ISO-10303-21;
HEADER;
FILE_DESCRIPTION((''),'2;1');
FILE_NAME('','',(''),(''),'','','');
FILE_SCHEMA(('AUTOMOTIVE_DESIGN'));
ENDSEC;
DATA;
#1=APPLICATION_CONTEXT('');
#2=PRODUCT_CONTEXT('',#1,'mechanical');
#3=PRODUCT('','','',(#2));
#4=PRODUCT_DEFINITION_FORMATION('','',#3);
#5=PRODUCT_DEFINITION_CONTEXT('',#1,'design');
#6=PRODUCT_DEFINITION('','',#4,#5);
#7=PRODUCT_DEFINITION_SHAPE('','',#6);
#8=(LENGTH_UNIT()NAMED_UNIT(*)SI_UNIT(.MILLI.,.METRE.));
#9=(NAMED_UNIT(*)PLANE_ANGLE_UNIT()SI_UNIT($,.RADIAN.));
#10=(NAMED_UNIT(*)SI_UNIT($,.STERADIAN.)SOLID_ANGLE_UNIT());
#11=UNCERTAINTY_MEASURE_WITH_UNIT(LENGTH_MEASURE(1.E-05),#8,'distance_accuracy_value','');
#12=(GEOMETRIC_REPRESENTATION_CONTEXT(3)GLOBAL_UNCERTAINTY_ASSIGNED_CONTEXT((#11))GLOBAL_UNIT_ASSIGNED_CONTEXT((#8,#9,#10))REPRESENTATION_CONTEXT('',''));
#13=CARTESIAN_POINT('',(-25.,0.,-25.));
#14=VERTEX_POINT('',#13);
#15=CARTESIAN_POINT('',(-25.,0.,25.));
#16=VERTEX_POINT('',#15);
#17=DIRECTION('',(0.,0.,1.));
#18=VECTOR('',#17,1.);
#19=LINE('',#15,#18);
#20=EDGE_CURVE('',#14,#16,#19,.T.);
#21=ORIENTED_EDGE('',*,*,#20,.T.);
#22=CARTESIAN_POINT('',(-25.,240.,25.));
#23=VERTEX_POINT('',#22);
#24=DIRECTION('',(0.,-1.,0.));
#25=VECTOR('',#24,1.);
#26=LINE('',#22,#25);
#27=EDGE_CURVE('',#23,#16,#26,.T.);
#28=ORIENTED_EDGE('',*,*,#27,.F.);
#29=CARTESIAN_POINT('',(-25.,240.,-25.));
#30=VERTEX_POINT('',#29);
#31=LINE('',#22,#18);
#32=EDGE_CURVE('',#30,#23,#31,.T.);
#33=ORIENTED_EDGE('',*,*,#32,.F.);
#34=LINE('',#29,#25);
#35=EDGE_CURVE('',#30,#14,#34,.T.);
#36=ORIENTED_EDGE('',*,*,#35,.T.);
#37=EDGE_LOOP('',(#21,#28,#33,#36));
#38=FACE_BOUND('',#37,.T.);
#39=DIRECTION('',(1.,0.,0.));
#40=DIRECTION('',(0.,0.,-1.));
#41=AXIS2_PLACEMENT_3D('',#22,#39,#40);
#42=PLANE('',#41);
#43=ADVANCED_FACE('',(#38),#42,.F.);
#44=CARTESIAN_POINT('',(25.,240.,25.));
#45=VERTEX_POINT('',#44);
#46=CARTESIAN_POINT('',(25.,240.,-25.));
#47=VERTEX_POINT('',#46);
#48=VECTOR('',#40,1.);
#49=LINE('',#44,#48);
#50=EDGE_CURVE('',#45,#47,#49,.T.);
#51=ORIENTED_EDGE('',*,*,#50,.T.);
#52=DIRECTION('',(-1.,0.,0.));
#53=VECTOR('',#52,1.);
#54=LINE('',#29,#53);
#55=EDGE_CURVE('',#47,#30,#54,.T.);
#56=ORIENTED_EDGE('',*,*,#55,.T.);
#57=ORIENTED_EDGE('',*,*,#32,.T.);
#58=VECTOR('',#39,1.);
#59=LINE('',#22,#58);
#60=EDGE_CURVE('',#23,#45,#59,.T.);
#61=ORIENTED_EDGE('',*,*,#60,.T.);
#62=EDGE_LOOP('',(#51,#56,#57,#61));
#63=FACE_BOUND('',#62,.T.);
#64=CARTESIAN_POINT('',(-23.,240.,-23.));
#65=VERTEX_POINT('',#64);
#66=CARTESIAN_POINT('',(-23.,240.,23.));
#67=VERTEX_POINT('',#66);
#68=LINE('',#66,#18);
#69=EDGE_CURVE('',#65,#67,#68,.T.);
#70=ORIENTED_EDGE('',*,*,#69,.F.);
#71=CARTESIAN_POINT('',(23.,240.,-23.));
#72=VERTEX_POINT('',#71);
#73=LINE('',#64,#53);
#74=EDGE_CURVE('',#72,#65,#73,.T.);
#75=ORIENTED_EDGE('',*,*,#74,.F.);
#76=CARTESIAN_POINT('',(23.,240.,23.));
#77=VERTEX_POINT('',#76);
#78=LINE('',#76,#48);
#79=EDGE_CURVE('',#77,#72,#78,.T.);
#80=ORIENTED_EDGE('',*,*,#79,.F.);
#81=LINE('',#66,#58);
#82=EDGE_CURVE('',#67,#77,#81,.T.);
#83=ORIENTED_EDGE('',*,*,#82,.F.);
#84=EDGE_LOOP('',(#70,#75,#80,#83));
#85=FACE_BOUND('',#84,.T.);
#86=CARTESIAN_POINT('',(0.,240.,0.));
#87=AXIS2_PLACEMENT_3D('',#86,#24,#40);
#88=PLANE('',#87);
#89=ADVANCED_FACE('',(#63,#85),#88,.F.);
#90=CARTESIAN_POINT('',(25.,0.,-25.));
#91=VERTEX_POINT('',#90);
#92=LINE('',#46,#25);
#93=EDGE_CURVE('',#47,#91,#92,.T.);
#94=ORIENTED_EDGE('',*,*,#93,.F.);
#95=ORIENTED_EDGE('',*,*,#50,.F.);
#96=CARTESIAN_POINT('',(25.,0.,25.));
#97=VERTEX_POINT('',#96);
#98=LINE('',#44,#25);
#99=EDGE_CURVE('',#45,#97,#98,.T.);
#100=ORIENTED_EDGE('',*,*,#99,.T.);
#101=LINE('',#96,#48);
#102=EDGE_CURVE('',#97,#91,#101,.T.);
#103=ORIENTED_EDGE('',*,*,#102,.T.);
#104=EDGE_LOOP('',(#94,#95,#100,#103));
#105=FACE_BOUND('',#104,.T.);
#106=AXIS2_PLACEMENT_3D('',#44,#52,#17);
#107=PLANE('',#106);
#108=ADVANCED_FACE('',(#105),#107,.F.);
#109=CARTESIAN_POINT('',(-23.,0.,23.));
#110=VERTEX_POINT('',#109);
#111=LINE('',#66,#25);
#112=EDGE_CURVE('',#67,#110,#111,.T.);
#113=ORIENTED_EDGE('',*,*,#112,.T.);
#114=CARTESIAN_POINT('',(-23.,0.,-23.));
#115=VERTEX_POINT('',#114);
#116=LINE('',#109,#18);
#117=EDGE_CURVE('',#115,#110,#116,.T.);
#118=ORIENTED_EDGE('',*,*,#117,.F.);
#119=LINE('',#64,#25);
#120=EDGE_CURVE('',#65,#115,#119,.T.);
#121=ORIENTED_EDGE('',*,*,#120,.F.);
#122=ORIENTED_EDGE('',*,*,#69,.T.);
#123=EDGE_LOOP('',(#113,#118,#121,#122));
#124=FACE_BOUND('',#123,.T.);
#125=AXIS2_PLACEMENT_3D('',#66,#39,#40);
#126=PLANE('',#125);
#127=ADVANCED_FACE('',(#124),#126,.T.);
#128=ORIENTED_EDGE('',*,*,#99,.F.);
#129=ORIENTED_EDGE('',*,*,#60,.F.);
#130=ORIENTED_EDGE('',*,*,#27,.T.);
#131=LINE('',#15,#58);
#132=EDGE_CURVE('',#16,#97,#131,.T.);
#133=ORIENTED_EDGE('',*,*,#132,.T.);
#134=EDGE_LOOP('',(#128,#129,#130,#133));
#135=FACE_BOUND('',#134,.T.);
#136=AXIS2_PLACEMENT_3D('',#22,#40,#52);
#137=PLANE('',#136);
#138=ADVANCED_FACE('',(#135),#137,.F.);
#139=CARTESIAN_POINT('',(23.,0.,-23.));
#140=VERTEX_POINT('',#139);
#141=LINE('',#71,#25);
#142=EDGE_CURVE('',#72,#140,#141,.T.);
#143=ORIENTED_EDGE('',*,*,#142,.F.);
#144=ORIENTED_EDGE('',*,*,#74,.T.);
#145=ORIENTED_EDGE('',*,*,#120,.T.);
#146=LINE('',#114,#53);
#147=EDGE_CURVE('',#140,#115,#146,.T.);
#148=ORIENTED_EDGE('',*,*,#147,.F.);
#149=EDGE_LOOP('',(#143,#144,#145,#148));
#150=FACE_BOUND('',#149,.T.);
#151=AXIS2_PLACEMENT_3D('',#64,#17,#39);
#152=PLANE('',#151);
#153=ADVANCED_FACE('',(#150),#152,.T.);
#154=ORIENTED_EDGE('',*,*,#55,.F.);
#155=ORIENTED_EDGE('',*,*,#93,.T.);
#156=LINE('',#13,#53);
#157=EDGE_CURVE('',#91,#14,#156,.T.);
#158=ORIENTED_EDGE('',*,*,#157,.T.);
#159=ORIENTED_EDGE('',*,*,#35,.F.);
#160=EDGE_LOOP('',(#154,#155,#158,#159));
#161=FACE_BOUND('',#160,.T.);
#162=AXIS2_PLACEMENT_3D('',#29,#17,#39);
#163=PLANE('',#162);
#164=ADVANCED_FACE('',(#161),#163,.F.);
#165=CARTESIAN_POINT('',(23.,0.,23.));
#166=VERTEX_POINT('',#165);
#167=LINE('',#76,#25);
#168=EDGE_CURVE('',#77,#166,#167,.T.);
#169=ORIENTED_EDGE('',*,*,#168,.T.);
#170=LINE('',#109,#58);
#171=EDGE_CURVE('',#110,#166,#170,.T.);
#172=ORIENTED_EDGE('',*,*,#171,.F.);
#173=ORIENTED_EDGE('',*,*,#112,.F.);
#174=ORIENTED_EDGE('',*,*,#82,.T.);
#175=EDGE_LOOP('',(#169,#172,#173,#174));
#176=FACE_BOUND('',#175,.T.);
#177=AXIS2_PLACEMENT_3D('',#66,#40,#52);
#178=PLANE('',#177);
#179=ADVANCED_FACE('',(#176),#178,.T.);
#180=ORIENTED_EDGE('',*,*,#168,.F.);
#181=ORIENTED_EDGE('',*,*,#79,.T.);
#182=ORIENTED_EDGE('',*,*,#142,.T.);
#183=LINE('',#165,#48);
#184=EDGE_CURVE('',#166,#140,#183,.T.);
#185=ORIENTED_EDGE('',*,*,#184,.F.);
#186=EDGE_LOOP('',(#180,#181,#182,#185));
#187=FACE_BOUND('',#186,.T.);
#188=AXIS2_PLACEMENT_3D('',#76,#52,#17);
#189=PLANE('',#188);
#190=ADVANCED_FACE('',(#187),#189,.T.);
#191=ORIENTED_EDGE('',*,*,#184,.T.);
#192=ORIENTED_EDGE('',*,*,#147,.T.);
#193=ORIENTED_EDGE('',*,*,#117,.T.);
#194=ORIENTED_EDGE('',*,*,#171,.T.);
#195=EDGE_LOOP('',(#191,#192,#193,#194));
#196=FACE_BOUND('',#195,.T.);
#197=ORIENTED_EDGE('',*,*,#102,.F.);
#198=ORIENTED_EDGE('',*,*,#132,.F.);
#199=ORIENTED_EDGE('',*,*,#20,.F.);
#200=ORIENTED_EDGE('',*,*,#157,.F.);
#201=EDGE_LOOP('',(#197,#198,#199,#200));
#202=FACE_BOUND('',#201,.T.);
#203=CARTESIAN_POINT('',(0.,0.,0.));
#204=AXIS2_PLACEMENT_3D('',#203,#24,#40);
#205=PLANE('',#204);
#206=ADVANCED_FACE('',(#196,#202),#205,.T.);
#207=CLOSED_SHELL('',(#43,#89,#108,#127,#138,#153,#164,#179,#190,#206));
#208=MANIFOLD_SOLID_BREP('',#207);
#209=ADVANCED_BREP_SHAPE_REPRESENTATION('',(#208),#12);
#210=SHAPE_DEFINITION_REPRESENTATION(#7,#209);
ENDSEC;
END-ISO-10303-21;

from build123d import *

# Parameters (mm, degrees)
SKETCH1_W           = 50
SKETCH1_H           = 50
SKETCH1_W_2         = 46
SKETCH1_H_2         = 46
BOSS_EXTRUDE1_DEPTH = 240


with BuildPart() as part:
    # Sketch1 → Boss-Extrude1 (new body)
    with BuildSketch(Plane(origin=(0, 0, 0), x_dir=(1, 0, 0), z_dir=(0, 1, 0))):
        Rectangle(SKETCH1_W, SKETCH1_H)
        Rectangle(SKETCH1_W_2, SKETCH1_H_2, mode=Mode.SUBTRACT)
    extrude(amount=BOSS_EXTRUDE1_DEPTH)


solid = part.part
